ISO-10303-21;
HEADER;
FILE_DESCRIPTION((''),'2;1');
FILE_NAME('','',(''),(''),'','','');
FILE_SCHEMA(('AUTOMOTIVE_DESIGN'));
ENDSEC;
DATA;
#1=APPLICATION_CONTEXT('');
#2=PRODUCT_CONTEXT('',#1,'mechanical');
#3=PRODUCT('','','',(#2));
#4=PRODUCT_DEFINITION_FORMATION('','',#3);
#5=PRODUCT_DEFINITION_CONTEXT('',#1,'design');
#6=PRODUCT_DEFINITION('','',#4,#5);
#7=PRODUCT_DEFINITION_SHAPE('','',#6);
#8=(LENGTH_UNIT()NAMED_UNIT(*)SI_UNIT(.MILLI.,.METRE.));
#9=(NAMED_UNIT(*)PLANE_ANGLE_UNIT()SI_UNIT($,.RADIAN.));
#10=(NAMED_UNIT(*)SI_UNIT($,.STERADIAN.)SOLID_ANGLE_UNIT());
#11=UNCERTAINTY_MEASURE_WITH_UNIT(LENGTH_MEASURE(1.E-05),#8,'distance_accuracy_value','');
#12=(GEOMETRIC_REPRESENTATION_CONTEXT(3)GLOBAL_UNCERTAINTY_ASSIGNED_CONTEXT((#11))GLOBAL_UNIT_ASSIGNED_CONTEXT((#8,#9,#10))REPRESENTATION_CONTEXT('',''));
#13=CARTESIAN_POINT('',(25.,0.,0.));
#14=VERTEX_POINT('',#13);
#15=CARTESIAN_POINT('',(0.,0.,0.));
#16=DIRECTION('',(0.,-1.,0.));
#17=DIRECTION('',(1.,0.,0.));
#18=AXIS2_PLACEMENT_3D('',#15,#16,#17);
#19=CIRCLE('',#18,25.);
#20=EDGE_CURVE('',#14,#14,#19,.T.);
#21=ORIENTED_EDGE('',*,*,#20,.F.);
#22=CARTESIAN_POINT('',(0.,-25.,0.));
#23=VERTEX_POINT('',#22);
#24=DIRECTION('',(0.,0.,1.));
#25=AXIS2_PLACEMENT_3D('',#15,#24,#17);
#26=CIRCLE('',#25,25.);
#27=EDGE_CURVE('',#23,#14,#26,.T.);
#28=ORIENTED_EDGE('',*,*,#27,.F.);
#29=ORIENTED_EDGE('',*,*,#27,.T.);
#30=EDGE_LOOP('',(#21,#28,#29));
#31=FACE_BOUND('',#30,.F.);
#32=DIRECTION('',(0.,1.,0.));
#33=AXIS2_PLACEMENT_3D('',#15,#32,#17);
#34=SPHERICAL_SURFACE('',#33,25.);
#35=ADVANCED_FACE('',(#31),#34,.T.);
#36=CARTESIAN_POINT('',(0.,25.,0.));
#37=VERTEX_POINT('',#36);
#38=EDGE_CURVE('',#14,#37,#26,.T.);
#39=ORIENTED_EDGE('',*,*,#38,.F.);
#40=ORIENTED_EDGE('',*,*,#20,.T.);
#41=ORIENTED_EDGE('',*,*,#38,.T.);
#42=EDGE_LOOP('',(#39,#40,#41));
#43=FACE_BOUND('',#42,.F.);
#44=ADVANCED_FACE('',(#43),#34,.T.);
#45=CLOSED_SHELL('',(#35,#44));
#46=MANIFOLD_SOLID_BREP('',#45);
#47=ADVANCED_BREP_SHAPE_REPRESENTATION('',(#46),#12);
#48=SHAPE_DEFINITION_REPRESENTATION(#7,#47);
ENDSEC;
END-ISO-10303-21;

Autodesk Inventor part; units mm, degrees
ref_plane "YZ Plane" through (0, 0, 0) normal (1, 0, 0) x (0, 1, 0)
ref_plane "XZ Plane" through (0, 0, 0) normal (0, 1, 0) x (-1, 0, 0)
ref_plane "XY Plane" through (0, 0, 0) normal (0, 0, 1) x (1, 0, 0)
sketch "草圖1" plane through (0, 0, 0) normal (0, 0, 1) x (1, 0, 0)
  circle A0 centre (0, 0) radius 25
  line L0 (0, 25) -> (0, -25)
  dimension "d0" = 50
  dimension "d0" = 50
revolve "迴轉1" add sketch "草圖1" angle 360 about axis through (0, 25, 0) along (0, -1, 0) picked at (13.3201, -3.6724) contours A0 L0
properties part number "定位球"
